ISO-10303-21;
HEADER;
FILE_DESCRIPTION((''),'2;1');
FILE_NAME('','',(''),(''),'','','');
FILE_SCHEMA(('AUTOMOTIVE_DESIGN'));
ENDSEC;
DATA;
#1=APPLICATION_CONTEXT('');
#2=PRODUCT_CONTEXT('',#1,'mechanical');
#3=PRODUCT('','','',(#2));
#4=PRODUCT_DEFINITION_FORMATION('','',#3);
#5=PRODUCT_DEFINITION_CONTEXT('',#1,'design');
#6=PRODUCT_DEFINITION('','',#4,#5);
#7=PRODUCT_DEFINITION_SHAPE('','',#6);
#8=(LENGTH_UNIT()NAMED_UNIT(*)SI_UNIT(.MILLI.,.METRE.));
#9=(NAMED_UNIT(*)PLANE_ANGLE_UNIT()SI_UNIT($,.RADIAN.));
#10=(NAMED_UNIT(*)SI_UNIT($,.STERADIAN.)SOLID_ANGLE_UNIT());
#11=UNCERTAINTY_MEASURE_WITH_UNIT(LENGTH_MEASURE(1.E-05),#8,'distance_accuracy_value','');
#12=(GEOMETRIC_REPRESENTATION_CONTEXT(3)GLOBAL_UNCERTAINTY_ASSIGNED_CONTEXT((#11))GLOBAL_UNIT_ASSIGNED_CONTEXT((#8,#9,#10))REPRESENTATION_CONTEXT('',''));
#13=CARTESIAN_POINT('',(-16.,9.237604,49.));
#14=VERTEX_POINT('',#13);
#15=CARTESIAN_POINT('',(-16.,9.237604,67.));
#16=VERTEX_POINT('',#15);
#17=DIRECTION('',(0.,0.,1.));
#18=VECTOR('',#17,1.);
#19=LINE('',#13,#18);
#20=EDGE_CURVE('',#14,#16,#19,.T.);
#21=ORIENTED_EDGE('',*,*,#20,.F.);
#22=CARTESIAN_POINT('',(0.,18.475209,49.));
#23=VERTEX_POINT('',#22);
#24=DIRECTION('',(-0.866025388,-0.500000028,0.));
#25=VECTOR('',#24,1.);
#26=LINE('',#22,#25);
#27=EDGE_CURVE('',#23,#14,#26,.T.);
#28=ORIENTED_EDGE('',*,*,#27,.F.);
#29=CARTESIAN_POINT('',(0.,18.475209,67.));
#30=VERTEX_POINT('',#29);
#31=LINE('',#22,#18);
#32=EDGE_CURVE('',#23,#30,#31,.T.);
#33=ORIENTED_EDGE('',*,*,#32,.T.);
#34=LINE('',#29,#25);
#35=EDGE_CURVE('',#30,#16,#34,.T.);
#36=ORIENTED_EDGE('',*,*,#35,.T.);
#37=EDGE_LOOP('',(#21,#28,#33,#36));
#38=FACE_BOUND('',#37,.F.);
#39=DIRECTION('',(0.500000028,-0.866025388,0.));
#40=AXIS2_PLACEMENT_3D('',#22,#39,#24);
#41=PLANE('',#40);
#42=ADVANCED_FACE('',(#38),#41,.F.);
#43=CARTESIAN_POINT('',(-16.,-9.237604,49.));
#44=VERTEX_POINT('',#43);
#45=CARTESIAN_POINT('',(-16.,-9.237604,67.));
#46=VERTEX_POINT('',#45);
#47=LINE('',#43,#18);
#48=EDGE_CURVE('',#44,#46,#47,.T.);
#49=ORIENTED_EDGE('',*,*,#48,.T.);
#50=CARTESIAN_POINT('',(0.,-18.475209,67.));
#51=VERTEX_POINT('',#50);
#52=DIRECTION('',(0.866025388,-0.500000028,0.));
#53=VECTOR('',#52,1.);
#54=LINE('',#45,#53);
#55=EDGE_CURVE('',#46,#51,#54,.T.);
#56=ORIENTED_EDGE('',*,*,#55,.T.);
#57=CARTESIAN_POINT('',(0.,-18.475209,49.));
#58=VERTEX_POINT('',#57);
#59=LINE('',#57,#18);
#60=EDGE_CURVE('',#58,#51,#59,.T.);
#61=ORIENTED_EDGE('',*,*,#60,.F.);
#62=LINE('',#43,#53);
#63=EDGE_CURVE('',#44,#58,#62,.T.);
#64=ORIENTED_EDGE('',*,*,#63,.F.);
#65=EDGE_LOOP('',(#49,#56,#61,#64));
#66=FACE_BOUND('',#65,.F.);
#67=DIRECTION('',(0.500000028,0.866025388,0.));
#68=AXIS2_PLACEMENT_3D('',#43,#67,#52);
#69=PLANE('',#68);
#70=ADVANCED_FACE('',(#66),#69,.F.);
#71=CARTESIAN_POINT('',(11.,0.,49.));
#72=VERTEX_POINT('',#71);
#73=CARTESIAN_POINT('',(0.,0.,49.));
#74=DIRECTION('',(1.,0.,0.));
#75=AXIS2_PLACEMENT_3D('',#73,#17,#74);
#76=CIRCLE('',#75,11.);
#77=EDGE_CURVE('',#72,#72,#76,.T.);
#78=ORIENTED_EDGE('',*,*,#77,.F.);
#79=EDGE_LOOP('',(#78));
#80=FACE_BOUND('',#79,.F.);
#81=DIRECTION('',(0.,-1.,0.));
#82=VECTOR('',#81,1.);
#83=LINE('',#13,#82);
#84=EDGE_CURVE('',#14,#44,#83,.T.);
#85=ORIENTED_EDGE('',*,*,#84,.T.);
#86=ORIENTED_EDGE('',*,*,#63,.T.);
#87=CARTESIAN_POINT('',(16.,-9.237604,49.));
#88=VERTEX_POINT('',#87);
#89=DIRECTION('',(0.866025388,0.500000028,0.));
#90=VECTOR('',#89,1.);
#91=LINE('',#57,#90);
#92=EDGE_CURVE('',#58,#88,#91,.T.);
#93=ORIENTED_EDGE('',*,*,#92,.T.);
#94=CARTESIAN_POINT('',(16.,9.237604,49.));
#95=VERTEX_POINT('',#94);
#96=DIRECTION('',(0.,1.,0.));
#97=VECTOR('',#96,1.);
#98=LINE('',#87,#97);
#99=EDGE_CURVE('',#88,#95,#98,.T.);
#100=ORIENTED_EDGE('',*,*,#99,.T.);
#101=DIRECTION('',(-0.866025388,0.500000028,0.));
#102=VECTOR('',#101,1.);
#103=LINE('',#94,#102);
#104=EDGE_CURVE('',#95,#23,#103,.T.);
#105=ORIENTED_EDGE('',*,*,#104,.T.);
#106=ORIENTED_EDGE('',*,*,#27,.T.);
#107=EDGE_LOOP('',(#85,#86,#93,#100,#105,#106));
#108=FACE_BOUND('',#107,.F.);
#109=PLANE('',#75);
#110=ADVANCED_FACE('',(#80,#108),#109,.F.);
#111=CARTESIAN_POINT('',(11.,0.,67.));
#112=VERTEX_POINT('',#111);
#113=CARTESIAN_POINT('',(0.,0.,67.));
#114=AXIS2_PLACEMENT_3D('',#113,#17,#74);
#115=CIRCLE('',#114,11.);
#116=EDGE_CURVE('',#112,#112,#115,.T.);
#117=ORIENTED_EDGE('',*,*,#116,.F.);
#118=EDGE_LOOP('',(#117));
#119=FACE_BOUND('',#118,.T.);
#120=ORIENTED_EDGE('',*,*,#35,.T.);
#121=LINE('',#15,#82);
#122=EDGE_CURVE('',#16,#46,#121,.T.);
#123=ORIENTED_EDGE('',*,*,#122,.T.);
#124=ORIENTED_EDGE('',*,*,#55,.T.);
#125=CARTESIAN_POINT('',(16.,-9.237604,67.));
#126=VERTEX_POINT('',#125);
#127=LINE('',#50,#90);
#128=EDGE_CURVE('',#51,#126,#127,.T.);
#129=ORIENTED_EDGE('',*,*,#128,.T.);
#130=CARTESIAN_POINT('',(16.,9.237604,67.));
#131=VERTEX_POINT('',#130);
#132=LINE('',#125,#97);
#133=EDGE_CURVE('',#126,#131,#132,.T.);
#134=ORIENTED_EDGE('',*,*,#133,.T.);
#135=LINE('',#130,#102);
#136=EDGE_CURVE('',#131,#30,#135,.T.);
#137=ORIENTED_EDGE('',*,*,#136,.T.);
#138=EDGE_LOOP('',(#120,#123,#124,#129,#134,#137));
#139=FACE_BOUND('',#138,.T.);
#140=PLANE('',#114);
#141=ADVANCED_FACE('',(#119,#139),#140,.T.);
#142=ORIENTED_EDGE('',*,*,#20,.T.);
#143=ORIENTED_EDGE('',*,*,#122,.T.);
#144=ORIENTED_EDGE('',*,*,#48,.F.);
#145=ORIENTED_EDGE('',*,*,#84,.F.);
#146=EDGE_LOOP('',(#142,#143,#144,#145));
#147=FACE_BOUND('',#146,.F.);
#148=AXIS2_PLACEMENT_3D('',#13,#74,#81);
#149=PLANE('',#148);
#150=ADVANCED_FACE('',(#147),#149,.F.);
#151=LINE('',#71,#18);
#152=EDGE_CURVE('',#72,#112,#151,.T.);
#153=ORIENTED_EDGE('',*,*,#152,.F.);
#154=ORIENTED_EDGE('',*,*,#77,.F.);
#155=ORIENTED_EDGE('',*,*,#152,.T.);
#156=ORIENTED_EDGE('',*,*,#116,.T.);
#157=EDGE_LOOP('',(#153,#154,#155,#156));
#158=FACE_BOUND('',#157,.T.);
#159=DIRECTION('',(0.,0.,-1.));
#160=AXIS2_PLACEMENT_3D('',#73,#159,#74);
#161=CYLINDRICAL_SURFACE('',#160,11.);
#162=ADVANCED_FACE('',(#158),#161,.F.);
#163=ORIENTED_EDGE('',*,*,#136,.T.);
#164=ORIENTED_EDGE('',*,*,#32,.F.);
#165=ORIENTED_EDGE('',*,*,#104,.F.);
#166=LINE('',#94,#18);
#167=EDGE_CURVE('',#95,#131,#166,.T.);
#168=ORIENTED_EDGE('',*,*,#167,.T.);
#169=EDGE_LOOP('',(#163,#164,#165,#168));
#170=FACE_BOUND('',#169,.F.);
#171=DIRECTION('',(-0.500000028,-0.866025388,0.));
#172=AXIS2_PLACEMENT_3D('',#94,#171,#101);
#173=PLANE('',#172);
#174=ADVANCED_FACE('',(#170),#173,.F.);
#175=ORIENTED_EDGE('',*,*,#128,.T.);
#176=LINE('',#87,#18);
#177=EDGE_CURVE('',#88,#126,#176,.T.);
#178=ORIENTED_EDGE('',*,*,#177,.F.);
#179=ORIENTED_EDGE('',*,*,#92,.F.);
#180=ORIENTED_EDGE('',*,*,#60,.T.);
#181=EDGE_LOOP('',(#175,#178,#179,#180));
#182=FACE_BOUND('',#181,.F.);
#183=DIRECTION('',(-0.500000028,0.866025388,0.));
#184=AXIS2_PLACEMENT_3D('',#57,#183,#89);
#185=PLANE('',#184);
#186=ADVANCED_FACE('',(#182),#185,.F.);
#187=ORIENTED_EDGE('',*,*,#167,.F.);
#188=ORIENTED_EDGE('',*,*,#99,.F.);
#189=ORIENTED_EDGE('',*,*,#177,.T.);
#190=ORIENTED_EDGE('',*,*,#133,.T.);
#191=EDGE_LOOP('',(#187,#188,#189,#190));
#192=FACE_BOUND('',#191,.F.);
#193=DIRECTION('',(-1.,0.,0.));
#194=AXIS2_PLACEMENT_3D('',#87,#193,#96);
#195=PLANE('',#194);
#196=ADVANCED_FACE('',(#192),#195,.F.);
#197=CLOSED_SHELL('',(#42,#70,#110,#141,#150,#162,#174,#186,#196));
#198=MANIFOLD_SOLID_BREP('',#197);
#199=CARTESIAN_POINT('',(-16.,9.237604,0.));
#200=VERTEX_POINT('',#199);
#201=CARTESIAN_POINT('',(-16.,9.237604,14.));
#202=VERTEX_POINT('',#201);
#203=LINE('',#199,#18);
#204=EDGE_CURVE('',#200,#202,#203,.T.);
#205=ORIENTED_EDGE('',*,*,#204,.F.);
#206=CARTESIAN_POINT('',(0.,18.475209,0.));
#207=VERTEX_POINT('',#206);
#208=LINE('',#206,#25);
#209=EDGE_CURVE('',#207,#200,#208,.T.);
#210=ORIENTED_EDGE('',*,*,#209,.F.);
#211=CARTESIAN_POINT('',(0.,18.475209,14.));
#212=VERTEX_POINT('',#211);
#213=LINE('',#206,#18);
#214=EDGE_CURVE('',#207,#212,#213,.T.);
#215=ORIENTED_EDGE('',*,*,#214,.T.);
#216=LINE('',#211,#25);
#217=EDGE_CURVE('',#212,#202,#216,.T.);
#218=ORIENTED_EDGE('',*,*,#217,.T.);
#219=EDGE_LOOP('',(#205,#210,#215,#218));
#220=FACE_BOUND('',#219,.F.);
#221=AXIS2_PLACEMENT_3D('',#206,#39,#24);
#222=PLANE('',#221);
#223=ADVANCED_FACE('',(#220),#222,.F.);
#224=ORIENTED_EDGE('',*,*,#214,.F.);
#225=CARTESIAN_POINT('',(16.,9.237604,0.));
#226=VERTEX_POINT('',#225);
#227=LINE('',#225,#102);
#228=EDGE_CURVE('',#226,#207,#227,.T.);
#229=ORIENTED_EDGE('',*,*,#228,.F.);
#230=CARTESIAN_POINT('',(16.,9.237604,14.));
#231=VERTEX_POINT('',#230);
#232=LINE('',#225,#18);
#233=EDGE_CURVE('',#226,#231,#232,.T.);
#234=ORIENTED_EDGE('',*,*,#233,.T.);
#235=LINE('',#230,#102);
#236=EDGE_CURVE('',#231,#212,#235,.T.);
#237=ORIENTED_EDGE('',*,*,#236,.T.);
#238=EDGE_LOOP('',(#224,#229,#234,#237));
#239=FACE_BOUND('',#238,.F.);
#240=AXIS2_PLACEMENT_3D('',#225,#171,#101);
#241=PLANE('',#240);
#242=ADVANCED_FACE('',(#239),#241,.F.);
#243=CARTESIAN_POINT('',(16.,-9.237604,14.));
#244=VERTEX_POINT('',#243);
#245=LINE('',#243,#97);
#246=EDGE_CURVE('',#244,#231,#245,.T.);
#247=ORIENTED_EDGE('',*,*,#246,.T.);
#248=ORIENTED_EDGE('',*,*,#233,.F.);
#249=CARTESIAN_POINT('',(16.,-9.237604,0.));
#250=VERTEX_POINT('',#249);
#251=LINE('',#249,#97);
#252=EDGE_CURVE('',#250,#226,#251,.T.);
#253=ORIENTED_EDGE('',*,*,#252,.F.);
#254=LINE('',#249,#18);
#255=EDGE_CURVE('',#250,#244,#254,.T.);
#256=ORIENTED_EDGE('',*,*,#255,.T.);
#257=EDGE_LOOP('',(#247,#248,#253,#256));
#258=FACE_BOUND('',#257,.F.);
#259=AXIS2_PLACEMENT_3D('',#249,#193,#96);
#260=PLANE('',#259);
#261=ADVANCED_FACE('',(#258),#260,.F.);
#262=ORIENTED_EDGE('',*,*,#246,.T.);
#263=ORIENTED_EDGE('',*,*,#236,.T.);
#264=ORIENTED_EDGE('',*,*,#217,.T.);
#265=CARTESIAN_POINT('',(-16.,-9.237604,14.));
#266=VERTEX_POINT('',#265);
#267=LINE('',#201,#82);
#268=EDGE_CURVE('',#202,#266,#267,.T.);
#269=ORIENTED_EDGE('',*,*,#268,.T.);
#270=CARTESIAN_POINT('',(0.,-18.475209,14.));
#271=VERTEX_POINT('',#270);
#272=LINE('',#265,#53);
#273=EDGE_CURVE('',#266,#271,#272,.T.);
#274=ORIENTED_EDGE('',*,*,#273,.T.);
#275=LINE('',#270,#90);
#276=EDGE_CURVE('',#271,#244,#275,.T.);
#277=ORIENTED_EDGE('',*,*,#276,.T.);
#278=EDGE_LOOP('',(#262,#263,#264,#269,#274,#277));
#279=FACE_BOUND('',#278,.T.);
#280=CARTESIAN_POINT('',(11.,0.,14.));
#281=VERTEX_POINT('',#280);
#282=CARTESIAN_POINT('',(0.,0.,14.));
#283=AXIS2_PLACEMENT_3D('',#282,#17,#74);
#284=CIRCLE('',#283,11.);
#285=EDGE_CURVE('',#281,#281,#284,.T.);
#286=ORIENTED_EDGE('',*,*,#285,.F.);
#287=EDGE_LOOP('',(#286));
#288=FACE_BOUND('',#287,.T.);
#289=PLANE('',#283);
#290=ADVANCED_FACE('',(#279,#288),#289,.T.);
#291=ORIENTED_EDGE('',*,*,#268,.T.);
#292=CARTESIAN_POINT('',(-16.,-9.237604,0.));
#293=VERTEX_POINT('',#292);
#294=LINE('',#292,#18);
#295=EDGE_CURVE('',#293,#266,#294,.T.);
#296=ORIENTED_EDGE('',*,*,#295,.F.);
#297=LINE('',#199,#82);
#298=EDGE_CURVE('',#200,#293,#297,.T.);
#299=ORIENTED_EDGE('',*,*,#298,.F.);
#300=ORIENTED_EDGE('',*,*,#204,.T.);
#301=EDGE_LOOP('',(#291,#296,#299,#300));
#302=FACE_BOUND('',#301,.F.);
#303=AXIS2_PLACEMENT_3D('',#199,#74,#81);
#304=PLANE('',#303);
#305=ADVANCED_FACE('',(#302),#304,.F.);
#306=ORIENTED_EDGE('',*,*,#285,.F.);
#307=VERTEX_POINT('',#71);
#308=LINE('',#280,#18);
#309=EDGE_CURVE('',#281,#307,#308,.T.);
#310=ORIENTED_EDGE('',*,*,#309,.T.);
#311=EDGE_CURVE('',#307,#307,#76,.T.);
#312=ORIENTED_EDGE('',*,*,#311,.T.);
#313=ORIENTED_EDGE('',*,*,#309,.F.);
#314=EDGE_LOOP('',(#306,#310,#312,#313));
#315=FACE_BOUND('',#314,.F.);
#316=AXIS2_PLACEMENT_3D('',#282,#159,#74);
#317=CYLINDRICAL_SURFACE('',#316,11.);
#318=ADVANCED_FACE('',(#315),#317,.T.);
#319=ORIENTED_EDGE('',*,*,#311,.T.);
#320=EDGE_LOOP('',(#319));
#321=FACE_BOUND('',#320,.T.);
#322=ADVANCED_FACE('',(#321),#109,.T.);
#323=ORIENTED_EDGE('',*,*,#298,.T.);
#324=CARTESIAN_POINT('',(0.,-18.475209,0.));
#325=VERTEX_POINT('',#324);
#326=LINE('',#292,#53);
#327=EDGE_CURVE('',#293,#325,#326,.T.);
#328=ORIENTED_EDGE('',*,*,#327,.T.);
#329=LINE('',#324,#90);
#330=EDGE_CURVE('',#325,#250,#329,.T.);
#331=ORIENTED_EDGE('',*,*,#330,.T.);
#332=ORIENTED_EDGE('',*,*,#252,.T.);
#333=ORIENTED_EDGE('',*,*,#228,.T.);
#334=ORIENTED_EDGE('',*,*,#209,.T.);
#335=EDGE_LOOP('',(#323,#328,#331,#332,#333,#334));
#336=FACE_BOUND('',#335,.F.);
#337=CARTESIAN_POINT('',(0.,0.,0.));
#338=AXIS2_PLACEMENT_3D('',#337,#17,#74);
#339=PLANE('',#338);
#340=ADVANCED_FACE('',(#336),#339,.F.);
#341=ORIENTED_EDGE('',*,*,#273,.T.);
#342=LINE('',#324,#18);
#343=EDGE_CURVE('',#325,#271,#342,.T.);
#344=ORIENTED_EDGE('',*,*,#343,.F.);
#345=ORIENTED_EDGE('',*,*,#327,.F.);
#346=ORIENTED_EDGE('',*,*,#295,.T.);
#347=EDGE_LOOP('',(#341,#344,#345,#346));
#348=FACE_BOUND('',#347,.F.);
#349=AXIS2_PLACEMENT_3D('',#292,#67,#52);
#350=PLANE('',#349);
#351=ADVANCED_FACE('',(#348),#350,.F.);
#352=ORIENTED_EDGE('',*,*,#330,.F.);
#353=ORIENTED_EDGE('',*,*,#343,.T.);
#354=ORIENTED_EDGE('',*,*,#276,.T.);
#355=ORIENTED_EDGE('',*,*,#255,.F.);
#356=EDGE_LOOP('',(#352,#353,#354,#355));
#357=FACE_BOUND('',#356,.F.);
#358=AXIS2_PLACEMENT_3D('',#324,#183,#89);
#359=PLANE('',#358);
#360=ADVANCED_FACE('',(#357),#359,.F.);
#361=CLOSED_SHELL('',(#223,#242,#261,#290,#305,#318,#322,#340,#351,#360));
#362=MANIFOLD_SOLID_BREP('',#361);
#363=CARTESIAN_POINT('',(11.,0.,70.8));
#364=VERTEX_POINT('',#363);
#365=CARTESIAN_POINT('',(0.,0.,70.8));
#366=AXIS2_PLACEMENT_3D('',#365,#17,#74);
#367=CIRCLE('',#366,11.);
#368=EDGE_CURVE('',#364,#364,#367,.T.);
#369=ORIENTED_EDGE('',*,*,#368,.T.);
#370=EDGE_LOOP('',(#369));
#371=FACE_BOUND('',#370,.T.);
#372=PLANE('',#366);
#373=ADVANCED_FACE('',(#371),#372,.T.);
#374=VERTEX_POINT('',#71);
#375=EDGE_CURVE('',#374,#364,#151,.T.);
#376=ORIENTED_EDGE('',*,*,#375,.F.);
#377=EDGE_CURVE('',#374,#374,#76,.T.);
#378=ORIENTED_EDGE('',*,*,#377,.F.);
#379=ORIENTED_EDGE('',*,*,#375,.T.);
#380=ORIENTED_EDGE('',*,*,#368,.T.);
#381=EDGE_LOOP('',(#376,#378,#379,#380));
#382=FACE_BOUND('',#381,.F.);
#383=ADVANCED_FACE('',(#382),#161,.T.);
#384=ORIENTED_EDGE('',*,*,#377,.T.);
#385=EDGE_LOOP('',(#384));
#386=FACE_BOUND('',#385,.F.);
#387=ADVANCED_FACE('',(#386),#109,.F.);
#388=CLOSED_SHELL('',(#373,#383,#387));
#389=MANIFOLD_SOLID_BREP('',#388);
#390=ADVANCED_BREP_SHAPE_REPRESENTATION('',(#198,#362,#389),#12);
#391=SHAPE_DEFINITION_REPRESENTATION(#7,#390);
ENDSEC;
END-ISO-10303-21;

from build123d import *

# Parameters (mm, degrees)
F1_DEPTH  = 14
F2_R      = 11
F3_DEPTH  = 35
F4_R      = 11
F5_DEPTH  = 18
F3_FACE_R = 11
F6_DEPTH  = 21.8


with BuildPart() as f1:
    # F0 (on Top) → F1 (new body)
    with BuildSketch(Plane.XY):
        Polygon((16, -9.237604), (16, 9.237604), (0, 18.475209), (-16, 9.237604), (-16, -9.237604), (0, -18.475209), align=None)
    extrude(amount=F1_DEPTH)

    # F2 (on face) → F3 (join)
    with BuildSketch(Plane.XY.offset(14)):
        Circle(F2_R)
    extrude(amount=F3_DEPTH)


with BuildPart() as f5:
    # F4 (on face) → F5 (new body)
    with BuildSketch(Plane.XY.offset(49)):
        Polygon((16, -9.237604), (16, 9.237604), (0, 18.475209), (-16, 9.237604), (-16, -9.237604), (0, -18.475209), align=None)
        Circle(F4_R, mode=Mode.SUBTRACT)
    extrude(amount=F5_DEPTH)


with BuildPart() as f6:
    # F3_face (on face) → F6 (new body)
    with BuildSketch(Plane.XY.offset(49)):
        Circle(F3_FACE_R)
    extrude(amount=F6_DEPTH)


solid = Compound([f1.part, f5.part, f6.part])
